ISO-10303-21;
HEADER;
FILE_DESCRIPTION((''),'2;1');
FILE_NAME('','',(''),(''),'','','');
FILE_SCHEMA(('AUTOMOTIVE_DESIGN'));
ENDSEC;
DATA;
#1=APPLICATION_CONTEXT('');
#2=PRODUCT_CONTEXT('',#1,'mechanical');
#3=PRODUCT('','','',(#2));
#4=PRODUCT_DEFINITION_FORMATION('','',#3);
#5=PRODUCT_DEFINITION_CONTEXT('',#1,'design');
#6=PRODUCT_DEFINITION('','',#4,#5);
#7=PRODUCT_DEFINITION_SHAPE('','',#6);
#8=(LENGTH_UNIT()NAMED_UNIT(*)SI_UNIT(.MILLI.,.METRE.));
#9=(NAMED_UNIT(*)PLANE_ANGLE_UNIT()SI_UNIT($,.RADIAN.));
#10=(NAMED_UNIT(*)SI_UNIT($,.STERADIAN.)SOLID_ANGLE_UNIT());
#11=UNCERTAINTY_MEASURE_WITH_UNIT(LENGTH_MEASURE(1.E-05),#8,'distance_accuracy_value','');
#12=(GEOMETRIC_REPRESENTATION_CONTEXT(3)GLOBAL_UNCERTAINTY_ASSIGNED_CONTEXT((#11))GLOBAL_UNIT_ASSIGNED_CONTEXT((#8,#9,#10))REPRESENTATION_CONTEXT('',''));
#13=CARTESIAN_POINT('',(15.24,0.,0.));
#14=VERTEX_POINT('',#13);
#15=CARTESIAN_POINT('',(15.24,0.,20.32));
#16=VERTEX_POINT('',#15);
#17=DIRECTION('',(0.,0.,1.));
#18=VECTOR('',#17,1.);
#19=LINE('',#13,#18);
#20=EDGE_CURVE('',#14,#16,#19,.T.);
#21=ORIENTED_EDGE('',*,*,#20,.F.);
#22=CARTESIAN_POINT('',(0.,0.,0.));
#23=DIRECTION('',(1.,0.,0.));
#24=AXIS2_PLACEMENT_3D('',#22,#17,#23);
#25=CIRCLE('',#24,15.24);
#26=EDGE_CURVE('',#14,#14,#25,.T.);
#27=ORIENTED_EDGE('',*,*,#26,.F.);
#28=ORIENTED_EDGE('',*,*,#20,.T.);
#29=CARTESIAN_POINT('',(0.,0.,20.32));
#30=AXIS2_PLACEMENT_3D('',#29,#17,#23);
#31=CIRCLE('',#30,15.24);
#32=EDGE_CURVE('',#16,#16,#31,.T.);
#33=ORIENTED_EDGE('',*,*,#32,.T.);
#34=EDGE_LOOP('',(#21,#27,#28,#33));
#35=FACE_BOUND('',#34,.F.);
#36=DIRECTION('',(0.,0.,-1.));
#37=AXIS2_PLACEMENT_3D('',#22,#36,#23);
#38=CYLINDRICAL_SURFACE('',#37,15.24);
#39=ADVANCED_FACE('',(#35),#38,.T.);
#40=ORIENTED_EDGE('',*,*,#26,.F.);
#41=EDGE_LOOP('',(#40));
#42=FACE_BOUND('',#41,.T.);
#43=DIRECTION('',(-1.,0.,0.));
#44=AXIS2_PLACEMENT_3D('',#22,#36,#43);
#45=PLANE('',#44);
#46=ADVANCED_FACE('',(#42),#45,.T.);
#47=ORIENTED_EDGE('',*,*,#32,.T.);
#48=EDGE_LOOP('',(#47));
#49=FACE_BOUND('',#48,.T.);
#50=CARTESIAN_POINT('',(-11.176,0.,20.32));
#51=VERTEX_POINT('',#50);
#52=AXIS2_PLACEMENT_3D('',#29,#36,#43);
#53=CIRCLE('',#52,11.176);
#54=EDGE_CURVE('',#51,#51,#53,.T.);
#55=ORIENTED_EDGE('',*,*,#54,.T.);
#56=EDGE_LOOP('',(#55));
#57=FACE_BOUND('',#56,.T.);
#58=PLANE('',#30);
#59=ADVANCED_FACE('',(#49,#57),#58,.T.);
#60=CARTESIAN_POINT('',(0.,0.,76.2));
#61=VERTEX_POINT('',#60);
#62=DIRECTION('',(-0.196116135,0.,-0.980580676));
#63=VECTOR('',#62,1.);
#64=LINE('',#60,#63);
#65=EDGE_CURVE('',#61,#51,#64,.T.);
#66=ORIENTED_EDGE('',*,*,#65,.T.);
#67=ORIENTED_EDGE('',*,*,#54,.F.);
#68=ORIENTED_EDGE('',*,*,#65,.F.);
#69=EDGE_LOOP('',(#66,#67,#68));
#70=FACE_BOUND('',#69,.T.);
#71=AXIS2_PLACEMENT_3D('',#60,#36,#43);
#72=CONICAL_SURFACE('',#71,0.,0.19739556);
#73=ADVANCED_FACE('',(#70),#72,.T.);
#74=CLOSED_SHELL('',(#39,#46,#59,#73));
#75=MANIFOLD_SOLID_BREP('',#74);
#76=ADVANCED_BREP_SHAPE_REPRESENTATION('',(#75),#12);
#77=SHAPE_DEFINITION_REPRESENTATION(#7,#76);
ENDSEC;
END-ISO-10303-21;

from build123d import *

# Parameters (mm, degrees)
F0_R     = 15.24
F3_DEPTH = 20.32


with BuildPart() as f2:
    # F1 (on Front) → F2 (revolve)
    with BuildSketch(Plane.XZ):
        Polygon((-15.24, 0), (0, 0), (0, 76.2), align=None)
    revolve(axis=Axis((0, 0, 38.1), (0, 0, -1)))

    # F0 (on Top) → F3 (join)
    with BuildSketch(Plane.XY):
        Circle(F0_R)
    extrude(amount=F3_DEPTH)


solid = f2.part
